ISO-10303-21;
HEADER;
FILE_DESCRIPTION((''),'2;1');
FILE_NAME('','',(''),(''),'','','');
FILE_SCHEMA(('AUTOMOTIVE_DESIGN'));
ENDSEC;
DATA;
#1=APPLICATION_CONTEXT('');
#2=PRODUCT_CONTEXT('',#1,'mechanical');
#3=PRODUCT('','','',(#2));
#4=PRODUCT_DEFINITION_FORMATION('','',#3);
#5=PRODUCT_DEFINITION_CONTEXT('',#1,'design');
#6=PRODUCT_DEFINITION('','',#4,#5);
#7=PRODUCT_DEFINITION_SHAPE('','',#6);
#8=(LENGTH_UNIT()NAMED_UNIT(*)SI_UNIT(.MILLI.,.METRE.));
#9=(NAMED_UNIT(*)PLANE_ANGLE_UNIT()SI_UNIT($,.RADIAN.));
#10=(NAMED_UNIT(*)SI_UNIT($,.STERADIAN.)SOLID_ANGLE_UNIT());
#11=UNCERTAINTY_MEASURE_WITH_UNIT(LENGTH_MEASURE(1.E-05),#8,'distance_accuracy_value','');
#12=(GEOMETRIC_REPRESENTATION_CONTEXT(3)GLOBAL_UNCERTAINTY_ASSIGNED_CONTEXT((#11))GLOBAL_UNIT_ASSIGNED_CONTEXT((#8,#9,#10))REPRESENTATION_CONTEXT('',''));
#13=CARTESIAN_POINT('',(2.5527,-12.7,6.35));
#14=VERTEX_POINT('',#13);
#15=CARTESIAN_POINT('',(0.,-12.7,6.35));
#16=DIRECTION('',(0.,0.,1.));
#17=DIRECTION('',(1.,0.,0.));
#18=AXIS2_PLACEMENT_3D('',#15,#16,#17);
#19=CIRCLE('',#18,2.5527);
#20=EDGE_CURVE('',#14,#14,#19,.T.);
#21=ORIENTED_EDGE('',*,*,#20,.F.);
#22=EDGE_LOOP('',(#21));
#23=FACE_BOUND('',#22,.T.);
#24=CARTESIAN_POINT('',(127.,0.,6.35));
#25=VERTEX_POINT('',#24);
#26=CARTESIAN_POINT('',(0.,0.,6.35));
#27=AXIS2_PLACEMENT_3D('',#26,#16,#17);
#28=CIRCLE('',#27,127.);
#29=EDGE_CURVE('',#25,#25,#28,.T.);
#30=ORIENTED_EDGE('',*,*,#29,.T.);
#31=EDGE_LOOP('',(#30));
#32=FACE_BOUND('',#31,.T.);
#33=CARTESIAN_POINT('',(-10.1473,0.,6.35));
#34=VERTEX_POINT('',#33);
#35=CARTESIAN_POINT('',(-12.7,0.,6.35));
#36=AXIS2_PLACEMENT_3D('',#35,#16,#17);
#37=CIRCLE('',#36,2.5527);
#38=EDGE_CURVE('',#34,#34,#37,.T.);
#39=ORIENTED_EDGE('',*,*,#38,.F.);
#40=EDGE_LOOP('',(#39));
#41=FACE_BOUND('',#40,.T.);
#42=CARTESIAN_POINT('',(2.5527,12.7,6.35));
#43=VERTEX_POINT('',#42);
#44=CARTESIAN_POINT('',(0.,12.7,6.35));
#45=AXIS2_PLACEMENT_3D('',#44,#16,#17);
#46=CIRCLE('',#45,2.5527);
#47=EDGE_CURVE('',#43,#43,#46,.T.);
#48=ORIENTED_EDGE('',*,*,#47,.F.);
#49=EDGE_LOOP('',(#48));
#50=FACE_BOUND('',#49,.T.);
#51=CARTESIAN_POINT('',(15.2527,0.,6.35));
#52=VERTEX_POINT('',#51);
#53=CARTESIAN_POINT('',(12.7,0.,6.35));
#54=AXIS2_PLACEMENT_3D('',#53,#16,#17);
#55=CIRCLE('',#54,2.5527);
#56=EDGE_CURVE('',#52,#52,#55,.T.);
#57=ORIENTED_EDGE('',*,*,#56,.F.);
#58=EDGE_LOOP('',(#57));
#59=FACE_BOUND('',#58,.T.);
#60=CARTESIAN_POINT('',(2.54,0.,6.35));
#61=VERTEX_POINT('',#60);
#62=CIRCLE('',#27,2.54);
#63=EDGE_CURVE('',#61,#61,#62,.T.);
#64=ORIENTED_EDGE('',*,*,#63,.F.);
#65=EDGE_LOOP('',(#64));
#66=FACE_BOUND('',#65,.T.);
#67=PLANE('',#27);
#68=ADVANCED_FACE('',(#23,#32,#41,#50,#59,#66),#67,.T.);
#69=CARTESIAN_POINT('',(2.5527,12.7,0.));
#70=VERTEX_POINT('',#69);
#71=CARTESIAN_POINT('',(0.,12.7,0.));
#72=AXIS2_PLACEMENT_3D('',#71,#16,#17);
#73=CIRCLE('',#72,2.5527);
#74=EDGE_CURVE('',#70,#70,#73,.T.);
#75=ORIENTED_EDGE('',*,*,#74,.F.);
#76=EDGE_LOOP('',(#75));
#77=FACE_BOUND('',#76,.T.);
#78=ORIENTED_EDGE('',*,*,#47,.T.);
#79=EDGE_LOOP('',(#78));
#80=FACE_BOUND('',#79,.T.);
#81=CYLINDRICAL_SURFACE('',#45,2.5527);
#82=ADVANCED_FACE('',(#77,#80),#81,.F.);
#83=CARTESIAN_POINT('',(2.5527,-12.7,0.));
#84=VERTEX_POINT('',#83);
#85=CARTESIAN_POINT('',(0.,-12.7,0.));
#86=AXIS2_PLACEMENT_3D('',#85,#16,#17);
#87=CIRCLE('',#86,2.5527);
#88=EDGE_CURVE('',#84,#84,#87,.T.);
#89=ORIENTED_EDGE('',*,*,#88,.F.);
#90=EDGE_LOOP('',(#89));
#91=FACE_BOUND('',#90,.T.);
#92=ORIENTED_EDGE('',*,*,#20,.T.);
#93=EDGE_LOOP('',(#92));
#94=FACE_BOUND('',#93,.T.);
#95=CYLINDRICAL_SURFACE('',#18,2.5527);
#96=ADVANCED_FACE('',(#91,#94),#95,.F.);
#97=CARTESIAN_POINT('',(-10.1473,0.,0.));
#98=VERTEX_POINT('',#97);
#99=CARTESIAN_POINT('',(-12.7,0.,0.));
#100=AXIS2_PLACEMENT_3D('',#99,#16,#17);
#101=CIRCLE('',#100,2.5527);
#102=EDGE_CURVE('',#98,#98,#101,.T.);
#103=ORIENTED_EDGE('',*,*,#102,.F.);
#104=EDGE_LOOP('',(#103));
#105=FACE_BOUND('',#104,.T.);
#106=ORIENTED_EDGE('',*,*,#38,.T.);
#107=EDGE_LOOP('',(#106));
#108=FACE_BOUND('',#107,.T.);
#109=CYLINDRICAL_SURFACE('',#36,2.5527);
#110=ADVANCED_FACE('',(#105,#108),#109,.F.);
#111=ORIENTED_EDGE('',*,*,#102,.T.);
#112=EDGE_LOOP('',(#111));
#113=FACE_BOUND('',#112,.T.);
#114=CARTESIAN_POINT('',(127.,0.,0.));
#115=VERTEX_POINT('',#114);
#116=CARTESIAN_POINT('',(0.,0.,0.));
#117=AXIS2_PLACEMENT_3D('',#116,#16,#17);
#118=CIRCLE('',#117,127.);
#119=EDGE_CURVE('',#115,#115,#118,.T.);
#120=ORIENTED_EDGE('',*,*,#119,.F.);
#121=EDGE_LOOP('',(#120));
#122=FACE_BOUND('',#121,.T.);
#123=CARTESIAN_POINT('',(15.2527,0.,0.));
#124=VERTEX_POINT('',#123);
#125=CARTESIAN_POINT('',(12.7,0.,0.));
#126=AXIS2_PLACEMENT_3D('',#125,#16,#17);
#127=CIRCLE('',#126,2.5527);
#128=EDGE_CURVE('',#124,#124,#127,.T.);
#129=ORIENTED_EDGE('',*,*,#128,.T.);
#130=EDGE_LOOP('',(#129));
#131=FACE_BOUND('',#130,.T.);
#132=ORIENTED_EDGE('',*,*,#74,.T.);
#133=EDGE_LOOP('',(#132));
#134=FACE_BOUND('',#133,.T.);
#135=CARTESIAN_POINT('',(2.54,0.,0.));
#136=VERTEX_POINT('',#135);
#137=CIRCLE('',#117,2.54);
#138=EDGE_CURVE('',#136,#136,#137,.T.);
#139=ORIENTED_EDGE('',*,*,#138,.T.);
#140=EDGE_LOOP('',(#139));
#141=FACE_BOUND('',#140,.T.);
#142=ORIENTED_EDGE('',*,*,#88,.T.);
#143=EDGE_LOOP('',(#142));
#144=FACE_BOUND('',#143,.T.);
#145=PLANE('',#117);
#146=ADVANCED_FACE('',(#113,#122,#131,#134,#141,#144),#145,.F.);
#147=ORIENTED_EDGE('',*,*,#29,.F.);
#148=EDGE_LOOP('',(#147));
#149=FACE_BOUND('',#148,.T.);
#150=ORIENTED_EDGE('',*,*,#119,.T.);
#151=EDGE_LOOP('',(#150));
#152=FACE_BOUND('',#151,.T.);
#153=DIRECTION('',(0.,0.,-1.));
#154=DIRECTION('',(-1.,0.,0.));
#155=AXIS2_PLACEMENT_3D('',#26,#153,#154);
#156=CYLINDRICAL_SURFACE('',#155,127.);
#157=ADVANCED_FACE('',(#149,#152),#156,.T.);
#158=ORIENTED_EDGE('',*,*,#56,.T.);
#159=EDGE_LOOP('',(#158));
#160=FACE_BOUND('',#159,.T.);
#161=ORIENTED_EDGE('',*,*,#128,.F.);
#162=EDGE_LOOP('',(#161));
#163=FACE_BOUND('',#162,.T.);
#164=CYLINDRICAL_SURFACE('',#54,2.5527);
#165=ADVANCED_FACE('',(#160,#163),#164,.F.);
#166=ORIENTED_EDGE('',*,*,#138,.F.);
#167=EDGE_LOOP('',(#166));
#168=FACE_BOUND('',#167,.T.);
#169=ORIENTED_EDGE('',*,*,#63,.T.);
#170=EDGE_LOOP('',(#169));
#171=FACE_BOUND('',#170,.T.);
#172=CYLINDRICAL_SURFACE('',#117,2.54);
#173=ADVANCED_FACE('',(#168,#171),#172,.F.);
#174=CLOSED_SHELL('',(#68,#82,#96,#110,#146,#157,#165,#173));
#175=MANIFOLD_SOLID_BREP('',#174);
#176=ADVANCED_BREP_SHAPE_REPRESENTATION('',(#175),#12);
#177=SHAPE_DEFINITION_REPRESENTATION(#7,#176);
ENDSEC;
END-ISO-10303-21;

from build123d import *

# Parameters (mm, degrees)
SKETCH1_R           = 127
BOSS_EXTRUDE1_DEPTH = 6.35
SKETCH2_R           = 2.54
CUT_EXTRUDE1_DEPTH  = 7.35
CIRPATTERN1_COUNT   = 4


with BuildPart() as part:
    # Sketch1 → Boss-Extrude1 (new body)
    with BuildSketch(Plane.XY):
        Circle(SKETCH1_R)
    extrude(amount=BOSS_EXTRUDE1_DEPTH)

    # Sketch2 → Cut-Extrude1 (cut, through all)
    with BuildSketch(Plane.XY.offset(6.35)):
        Circle(SKETCH2_R)
    extrude(amount=-CUT_EXTRUDE1_DEPTH, mode=Mode.SUBTRACT)

    # Sketch5 → #10 Clearance Hole1 (revolve, cut)
    with BuildSketch(Plane(origin=(0, 12.7, 6.35), x_dir=(0, -1, 0), z_dir=(1, 0, 0))):
        Polygon((0, 0), (0, 11.058816902), (2.5527, 9.525), (2.5527, 0), align=None)
    f_10_clearance_hole1 = revolve(axis=Axis((0, 12.7, 12.7), (0, 0, -1)), mode=Mode.SUBTRACT)

    # CirPattern1: #10 Clearance Hole1 ×4 about axis
    cirpattern1_axis = Axis((0, 0, 0), (0, 0, 1))
    for i in range(1, CIRPATTERN1_COUNT):
        add(f_10_clearance_hole1.rotate(cirpattern1_axis, i * 360 / CIRPATTERN1_COUNT), mode=Mode.SUBTRACT)


solid = part.part
